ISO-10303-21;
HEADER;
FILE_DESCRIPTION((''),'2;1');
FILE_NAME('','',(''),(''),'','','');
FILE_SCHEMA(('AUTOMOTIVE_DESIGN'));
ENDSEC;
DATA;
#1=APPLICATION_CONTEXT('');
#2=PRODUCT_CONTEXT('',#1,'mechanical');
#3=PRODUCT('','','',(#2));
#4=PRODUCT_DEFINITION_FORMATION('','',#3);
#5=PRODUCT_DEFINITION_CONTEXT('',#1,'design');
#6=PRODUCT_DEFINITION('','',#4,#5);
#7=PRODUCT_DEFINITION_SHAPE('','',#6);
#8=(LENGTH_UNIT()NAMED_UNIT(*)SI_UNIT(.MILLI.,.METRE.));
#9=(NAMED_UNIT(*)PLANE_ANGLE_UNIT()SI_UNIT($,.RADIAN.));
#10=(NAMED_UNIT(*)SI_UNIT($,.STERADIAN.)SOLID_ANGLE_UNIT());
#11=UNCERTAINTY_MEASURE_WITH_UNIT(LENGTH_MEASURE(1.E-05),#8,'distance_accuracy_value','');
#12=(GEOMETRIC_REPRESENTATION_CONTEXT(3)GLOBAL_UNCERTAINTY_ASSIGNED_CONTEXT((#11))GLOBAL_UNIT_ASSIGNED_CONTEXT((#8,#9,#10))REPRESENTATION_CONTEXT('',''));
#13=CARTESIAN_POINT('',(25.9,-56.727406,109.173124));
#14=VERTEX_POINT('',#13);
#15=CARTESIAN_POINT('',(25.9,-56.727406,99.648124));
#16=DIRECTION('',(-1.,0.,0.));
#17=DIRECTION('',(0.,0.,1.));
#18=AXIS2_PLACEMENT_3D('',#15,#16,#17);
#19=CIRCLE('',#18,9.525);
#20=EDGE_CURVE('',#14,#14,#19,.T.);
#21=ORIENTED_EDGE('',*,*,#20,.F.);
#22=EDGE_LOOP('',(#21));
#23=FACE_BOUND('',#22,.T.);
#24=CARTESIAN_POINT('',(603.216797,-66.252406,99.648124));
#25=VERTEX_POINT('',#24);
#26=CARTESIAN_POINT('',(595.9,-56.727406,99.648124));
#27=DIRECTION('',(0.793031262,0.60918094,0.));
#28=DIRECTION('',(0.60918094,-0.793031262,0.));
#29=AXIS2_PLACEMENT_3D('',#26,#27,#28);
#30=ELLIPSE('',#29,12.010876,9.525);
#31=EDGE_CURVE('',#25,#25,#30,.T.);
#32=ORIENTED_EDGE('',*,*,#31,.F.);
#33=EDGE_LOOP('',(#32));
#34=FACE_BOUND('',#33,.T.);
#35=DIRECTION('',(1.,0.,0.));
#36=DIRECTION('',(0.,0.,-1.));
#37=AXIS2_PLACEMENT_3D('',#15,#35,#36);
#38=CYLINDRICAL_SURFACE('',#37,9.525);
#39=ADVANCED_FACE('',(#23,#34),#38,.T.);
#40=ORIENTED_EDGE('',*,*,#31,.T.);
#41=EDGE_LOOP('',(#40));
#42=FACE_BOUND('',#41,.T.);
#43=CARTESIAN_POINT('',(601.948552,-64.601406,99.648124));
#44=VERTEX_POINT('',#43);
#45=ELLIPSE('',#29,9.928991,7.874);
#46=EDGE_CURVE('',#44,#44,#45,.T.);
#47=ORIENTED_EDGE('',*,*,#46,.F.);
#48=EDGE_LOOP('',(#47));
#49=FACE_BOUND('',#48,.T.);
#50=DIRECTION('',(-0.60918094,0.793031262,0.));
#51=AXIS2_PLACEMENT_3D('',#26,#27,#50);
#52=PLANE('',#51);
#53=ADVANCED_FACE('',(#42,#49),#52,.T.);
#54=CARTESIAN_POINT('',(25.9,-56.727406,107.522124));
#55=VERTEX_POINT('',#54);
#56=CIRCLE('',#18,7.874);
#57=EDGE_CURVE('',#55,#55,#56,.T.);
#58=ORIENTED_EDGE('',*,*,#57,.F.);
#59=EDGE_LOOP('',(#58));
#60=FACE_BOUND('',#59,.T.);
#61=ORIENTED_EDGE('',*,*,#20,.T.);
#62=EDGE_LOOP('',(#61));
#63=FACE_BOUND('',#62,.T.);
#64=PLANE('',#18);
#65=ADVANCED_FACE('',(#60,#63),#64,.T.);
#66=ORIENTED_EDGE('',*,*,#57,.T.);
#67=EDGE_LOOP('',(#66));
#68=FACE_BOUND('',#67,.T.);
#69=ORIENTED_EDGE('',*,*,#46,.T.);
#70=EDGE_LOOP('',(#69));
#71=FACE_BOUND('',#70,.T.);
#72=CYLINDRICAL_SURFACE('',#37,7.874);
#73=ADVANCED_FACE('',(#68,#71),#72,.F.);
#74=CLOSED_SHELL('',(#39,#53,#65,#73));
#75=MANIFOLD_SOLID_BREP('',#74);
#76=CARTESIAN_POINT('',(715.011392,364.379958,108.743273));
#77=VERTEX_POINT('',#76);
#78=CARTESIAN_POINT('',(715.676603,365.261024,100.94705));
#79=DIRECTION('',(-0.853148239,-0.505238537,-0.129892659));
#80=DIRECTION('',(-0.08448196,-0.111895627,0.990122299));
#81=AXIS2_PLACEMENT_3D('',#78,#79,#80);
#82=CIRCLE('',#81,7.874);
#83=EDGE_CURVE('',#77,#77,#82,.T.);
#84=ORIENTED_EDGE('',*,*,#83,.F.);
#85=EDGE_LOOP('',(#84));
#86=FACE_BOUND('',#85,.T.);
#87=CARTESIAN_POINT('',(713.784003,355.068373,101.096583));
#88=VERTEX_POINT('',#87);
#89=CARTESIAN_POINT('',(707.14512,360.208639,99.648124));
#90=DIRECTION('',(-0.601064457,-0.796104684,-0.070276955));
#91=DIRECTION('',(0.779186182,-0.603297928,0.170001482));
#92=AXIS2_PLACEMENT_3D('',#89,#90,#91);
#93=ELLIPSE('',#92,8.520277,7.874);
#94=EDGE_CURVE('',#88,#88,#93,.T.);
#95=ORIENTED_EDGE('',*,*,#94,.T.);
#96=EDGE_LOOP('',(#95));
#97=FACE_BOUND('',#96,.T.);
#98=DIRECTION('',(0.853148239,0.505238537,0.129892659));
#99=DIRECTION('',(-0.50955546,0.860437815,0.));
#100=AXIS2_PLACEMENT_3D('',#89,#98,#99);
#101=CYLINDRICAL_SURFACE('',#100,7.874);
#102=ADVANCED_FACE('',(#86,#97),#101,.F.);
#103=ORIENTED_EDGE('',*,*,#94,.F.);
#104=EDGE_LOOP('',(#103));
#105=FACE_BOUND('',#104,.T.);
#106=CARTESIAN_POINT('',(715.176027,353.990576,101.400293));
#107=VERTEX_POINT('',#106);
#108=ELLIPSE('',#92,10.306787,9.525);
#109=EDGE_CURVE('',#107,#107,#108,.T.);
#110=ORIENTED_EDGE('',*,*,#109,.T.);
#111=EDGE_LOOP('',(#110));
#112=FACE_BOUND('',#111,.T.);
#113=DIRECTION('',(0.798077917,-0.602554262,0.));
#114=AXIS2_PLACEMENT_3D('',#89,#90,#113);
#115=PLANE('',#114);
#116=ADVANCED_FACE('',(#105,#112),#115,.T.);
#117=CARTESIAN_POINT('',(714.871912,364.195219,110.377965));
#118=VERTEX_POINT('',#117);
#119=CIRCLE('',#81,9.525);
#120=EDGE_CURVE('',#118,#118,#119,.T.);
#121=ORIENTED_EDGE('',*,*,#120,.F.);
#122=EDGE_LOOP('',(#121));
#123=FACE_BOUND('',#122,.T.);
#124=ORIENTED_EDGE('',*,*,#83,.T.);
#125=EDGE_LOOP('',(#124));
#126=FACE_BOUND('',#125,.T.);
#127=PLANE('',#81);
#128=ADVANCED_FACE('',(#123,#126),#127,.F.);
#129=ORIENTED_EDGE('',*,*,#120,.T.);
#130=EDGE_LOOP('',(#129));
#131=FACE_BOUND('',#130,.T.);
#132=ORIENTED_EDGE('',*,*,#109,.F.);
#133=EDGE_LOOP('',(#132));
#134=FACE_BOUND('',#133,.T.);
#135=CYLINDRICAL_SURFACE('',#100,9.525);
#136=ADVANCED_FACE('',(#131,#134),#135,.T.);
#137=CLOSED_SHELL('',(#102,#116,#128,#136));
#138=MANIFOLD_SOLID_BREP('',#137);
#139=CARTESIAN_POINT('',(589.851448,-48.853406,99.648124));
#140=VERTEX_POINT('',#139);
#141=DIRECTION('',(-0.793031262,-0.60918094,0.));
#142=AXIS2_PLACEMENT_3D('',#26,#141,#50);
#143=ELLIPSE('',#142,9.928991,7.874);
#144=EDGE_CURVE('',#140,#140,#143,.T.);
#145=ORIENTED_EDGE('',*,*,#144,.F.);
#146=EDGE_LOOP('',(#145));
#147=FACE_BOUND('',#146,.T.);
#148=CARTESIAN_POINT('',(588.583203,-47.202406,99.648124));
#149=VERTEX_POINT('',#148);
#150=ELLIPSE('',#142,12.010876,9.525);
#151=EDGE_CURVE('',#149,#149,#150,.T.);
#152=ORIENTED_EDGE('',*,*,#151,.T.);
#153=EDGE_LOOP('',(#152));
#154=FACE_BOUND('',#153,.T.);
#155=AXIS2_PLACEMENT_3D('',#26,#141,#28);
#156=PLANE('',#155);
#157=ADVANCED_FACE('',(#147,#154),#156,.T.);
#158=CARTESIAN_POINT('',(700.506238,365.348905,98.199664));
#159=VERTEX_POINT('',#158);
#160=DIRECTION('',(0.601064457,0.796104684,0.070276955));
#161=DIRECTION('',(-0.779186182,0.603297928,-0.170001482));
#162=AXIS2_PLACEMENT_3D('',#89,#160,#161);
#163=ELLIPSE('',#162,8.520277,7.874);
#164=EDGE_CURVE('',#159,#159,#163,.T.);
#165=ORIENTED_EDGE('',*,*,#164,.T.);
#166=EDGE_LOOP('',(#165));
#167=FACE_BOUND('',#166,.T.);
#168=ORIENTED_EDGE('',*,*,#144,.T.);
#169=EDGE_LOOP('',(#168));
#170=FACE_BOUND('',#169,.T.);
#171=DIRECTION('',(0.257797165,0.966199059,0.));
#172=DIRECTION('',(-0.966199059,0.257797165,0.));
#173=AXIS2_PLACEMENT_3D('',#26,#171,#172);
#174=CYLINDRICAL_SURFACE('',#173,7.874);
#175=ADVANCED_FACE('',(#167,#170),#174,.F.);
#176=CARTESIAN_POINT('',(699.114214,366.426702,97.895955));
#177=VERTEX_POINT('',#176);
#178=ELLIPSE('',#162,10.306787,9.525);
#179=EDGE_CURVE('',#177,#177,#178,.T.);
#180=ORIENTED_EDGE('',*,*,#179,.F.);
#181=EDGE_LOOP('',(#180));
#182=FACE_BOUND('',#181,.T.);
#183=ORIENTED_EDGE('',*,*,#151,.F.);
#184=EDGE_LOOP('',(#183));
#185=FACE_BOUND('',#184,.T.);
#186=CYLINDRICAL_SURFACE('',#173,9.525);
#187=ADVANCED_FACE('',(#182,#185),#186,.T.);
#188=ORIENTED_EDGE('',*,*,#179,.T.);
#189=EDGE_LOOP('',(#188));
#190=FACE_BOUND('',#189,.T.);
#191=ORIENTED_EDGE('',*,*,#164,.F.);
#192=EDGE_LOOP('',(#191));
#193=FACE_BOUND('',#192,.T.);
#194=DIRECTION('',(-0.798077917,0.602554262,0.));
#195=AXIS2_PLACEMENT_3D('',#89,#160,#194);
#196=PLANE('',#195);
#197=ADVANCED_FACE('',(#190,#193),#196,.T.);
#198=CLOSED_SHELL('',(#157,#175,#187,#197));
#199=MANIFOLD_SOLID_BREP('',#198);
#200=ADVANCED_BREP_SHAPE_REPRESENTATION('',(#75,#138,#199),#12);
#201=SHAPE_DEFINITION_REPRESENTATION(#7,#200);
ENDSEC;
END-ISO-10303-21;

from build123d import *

# Parameters (mm, degrees)
SKETCH1_ON_SEGMENT_1_R                           = 9.525
SKETCH1_ON_SEGMENT_1_R_2                         = 7.874
AL_ROUND_TUBING_AL_RND_TUBE_0_75_OD_X_0_DEPTH    = 16.568525489
SKETCH1_ON_SEGMENT_2_R                           = 9.525
SKETCH1_ON_SEGMENT_2_R_2                         = 7.874
AL_ROUND_TUBING_AL_RND_TUBE_0_75_OD_3_DEPTH      = 449.437929737
SKETCH1_R                                        = 9.525
SKETCH1_R_2                                      = 7.874
AL_ROUND_TUBING_AL_RND_TUBE_0_75_OD_5_DEPTH      = 570
AL_ROUND_TUBING_AL_RND_TUBE_0_75_OD_5_DEPTH_BACK = 11.347512999


with BuildPart() as part:
    # Sketch1 on segment 1 (carried to segment 1) → Al round tubing AL RND TUBE 0.75 OD X 0.065 WALL(1) (new body)
    with BuildSketch(Plane(origin=(715.67660278, 365.261024414, 100.947050286), x_dir=(-0.129892659, -0.035413668, 0.990895438), z_dir=(-0.853148239, -0.505238537, -0.129892659))):
        Circle(SKETCH1_ON_SEGMENT_1_R)
        Circle(SKETCH1_ON_SEGMENT_1_R_2, mode=Mode.SUBTRACT)
    extrude(amount=AL_ROUND_TUBING_AL_RND_TUBE_0_75_OD_X_0_DEPTH)

    # Al round tubing AL RND TUBE 0.75 OD  2
    split(bisect_by=Plane(origin=(707.14512039, 360.208639043, 99.648123697), x_dir=(-0.798077917, 0.602554262, 0), z_dir=(0.601064457, 0.796104684, 0.070276955)), keep=Keep.TOP)


with BuildPart() as body_2:
    # Sketch1 on segment 2 (carried to segment 2) → Al round tubing AL RND TUBE 0.75 OD  3 (new body)
    with BuildSketch(Plane(origin=(708.838467642, 366.555142189, 99.648123697), x_dir=(0, 0, 1), z_dir=(-0.257797165, -0.966199059, 0))):
        Circle(SKETCH1_ON_SEGMENT_2_R)
        Circle(SKETCH1_ON_SEGMENT_2_R_2, mode=Mode.SUBTRACT)
    extrude(amount=AL_ROUND_TUBING_AL_RND_TUBE_0_75_OD_3_DEPTH)

    # Al round tubing AL RND TUBE 0.75 OD 3 mi
    split(bisect_by=Plane(origin=(707.14512039, 360.208639043, 99.648123697), x_dir=(0.798077917, -0.602554262, 0), z_dir=(-0.601064457, -0.796104684, -0.070276955)), keep=Keep.TOP)

    # Al round tubing AL RND TUBE 0.75 OD  4
    split(bisect_by=Plane(origin=(595.9, -56.727406192, 99.648123697), x_dir=(-0.60918094, 0.793031262, 0), z_dir=(0.793031262, 0.60918094, 0)), keep=Keep.TOP)


with BuildPart() as body_3:
    # Sketch1 → Al round tubing AL RND TUBE 0.75 OD  5 (new, two sides)
    with BuildSketch(Plane(origin=(595.9, -56.727406192, 99.648123697), x_dir=(0, 0, 1), z_dir=(-1, 0, 0))) as al_round_tubing_al_rnd_tube_0_75_od_5_sk:
        Circle(SKETCH1_R)
        Circle(SKETCH1_R_2, mode=Mode.SUBTRACT)
    extrude(amount=AL_ROUND_TUBING_AL_RND_TUBE_0_75_OD_5_DEPTH)
    extrude(al_round_tubing_al_rnd_tube_0_75_od_5_sk.sketch, amount=-AL_ROUND_TUBING_AL_RND_TUBE_0_75_OD_5_DEPTH_BACK)

    # Al round tubing AL RND TUBE 0.75 OD 5 mi
    split(bisect_by=Plane(origin=(595.9, -56.727406192, 99.648123697), x_dir=(0.60918094, -0.793031262, 0), z_dir=(-0.793031262, -0.60918094, 0)), keep=Keep.TOP)


solid = Compound([part.part, body_2.part, body_3.part])
